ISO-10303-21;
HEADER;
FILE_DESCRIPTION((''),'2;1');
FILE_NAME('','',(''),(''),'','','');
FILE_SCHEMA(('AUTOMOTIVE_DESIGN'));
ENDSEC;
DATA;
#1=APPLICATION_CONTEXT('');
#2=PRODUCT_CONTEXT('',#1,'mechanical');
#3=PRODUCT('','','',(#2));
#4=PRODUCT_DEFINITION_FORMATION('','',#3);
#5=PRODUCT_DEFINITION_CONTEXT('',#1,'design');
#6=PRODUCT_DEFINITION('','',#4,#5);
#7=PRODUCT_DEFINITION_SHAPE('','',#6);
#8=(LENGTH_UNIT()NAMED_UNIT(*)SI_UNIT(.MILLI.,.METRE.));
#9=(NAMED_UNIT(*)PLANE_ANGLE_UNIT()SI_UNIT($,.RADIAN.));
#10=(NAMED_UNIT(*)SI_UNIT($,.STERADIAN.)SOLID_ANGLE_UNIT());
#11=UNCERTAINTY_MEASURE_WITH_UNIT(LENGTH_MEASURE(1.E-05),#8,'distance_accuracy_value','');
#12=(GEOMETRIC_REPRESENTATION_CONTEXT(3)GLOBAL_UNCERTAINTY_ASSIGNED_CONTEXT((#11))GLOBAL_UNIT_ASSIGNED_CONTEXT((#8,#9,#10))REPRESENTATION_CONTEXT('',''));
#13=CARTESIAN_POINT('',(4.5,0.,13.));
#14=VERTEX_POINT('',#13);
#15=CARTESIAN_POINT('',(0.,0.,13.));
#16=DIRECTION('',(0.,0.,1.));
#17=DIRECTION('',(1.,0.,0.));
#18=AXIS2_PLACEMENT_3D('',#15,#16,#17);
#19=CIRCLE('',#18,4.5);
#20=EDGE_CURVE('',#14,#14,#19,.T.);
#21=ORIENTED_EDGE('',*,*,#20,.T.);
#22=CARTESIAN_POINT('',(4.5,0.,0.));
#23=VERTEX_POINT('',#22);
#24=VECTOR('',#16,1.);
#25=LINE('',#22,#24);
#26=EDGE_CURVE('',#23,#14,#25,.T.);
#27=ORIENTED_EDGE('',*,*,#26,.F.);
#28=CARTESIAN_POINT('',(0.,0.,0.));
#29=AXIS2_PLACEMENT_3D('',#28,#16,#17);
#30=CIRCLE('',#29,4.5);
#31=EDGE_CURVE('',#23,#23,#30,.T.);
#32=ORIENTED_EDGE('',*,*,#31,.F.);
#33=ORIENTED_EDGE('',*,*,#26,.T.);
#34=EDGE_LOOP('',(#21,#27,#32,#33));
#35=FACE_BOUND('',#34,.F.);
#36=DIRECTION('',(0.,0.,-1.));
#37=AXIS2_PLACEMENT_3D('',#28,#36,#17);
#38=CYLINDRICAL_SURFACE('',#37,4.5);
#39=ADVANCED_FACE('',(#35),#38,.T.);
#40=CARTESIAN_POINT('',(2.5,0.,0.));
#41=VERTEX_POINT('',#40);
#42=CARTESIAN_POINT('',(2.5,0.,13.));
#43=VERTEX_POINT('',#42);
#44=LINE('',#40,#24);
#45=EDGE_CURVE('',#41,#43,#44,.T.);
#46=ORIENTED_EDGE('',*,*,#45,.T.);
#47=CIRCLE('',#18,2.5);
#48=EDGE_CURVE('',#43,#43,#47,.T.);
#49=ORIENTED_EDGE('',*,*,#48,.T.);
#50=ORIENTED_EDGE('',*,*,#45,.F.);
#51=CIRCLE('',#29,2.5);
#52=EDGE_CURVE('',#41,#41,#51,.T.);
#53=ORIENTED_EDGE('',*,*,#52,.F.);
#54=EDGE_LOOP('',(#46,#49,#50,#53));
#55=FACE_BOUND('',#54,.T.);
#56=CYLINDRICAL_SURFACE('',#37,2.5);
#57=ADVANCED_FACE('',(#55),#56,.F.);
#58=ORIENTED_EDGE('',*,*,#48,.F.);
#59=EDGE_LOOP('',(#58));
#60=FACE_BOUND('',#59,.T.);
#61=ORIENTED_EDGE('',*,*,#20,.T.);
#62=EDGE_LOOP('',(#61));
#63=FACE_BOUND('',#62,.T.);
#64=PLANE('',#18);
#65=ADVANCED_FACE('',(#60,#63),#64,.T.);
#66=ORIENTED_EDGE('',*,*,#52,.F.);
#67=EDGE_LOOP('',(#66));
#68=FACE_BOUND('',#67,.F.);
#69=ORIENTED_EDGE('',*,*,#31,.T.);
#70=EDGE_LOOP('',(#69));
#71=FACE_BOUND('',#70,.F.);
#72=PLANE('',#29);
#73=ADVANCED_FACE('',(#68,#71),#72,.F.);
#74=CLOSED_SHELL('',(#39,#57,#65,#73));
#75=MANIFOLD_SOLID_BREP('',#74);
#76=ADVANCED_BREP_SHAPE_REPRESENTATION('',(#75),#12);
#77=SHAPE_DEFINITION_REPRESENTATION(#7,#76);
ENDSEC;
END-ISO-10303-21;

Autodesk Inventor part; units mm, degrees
ref_plane "YZ Plane" through (0, 0, 0) normal (1, 0, 0) x (0, 1, 0)
ref_plane "XZ Plane" through (0, 0, 0) normal (0, 1, 0) x (-1, 0, 0)
ref_plane "XY Plane" through (0, 0, 0) normal (0, 0, 1) x (1, 0, 0)
sketch "Szkic1" plane through (0, 0, 0) normal (0, 0, 1) x (1, 0, 0)
  circle A0 centre (0, 0) radius 2.5
  circle A1 centre (0, 0) radius 4.5
  dimension "d0" = 5
  dimension "d1" = 9
extrude "Wyciągnięcie proste1" add sketch "Szkic1" along normal blind 13
properties part number "tuleja_M5_M9_13"
